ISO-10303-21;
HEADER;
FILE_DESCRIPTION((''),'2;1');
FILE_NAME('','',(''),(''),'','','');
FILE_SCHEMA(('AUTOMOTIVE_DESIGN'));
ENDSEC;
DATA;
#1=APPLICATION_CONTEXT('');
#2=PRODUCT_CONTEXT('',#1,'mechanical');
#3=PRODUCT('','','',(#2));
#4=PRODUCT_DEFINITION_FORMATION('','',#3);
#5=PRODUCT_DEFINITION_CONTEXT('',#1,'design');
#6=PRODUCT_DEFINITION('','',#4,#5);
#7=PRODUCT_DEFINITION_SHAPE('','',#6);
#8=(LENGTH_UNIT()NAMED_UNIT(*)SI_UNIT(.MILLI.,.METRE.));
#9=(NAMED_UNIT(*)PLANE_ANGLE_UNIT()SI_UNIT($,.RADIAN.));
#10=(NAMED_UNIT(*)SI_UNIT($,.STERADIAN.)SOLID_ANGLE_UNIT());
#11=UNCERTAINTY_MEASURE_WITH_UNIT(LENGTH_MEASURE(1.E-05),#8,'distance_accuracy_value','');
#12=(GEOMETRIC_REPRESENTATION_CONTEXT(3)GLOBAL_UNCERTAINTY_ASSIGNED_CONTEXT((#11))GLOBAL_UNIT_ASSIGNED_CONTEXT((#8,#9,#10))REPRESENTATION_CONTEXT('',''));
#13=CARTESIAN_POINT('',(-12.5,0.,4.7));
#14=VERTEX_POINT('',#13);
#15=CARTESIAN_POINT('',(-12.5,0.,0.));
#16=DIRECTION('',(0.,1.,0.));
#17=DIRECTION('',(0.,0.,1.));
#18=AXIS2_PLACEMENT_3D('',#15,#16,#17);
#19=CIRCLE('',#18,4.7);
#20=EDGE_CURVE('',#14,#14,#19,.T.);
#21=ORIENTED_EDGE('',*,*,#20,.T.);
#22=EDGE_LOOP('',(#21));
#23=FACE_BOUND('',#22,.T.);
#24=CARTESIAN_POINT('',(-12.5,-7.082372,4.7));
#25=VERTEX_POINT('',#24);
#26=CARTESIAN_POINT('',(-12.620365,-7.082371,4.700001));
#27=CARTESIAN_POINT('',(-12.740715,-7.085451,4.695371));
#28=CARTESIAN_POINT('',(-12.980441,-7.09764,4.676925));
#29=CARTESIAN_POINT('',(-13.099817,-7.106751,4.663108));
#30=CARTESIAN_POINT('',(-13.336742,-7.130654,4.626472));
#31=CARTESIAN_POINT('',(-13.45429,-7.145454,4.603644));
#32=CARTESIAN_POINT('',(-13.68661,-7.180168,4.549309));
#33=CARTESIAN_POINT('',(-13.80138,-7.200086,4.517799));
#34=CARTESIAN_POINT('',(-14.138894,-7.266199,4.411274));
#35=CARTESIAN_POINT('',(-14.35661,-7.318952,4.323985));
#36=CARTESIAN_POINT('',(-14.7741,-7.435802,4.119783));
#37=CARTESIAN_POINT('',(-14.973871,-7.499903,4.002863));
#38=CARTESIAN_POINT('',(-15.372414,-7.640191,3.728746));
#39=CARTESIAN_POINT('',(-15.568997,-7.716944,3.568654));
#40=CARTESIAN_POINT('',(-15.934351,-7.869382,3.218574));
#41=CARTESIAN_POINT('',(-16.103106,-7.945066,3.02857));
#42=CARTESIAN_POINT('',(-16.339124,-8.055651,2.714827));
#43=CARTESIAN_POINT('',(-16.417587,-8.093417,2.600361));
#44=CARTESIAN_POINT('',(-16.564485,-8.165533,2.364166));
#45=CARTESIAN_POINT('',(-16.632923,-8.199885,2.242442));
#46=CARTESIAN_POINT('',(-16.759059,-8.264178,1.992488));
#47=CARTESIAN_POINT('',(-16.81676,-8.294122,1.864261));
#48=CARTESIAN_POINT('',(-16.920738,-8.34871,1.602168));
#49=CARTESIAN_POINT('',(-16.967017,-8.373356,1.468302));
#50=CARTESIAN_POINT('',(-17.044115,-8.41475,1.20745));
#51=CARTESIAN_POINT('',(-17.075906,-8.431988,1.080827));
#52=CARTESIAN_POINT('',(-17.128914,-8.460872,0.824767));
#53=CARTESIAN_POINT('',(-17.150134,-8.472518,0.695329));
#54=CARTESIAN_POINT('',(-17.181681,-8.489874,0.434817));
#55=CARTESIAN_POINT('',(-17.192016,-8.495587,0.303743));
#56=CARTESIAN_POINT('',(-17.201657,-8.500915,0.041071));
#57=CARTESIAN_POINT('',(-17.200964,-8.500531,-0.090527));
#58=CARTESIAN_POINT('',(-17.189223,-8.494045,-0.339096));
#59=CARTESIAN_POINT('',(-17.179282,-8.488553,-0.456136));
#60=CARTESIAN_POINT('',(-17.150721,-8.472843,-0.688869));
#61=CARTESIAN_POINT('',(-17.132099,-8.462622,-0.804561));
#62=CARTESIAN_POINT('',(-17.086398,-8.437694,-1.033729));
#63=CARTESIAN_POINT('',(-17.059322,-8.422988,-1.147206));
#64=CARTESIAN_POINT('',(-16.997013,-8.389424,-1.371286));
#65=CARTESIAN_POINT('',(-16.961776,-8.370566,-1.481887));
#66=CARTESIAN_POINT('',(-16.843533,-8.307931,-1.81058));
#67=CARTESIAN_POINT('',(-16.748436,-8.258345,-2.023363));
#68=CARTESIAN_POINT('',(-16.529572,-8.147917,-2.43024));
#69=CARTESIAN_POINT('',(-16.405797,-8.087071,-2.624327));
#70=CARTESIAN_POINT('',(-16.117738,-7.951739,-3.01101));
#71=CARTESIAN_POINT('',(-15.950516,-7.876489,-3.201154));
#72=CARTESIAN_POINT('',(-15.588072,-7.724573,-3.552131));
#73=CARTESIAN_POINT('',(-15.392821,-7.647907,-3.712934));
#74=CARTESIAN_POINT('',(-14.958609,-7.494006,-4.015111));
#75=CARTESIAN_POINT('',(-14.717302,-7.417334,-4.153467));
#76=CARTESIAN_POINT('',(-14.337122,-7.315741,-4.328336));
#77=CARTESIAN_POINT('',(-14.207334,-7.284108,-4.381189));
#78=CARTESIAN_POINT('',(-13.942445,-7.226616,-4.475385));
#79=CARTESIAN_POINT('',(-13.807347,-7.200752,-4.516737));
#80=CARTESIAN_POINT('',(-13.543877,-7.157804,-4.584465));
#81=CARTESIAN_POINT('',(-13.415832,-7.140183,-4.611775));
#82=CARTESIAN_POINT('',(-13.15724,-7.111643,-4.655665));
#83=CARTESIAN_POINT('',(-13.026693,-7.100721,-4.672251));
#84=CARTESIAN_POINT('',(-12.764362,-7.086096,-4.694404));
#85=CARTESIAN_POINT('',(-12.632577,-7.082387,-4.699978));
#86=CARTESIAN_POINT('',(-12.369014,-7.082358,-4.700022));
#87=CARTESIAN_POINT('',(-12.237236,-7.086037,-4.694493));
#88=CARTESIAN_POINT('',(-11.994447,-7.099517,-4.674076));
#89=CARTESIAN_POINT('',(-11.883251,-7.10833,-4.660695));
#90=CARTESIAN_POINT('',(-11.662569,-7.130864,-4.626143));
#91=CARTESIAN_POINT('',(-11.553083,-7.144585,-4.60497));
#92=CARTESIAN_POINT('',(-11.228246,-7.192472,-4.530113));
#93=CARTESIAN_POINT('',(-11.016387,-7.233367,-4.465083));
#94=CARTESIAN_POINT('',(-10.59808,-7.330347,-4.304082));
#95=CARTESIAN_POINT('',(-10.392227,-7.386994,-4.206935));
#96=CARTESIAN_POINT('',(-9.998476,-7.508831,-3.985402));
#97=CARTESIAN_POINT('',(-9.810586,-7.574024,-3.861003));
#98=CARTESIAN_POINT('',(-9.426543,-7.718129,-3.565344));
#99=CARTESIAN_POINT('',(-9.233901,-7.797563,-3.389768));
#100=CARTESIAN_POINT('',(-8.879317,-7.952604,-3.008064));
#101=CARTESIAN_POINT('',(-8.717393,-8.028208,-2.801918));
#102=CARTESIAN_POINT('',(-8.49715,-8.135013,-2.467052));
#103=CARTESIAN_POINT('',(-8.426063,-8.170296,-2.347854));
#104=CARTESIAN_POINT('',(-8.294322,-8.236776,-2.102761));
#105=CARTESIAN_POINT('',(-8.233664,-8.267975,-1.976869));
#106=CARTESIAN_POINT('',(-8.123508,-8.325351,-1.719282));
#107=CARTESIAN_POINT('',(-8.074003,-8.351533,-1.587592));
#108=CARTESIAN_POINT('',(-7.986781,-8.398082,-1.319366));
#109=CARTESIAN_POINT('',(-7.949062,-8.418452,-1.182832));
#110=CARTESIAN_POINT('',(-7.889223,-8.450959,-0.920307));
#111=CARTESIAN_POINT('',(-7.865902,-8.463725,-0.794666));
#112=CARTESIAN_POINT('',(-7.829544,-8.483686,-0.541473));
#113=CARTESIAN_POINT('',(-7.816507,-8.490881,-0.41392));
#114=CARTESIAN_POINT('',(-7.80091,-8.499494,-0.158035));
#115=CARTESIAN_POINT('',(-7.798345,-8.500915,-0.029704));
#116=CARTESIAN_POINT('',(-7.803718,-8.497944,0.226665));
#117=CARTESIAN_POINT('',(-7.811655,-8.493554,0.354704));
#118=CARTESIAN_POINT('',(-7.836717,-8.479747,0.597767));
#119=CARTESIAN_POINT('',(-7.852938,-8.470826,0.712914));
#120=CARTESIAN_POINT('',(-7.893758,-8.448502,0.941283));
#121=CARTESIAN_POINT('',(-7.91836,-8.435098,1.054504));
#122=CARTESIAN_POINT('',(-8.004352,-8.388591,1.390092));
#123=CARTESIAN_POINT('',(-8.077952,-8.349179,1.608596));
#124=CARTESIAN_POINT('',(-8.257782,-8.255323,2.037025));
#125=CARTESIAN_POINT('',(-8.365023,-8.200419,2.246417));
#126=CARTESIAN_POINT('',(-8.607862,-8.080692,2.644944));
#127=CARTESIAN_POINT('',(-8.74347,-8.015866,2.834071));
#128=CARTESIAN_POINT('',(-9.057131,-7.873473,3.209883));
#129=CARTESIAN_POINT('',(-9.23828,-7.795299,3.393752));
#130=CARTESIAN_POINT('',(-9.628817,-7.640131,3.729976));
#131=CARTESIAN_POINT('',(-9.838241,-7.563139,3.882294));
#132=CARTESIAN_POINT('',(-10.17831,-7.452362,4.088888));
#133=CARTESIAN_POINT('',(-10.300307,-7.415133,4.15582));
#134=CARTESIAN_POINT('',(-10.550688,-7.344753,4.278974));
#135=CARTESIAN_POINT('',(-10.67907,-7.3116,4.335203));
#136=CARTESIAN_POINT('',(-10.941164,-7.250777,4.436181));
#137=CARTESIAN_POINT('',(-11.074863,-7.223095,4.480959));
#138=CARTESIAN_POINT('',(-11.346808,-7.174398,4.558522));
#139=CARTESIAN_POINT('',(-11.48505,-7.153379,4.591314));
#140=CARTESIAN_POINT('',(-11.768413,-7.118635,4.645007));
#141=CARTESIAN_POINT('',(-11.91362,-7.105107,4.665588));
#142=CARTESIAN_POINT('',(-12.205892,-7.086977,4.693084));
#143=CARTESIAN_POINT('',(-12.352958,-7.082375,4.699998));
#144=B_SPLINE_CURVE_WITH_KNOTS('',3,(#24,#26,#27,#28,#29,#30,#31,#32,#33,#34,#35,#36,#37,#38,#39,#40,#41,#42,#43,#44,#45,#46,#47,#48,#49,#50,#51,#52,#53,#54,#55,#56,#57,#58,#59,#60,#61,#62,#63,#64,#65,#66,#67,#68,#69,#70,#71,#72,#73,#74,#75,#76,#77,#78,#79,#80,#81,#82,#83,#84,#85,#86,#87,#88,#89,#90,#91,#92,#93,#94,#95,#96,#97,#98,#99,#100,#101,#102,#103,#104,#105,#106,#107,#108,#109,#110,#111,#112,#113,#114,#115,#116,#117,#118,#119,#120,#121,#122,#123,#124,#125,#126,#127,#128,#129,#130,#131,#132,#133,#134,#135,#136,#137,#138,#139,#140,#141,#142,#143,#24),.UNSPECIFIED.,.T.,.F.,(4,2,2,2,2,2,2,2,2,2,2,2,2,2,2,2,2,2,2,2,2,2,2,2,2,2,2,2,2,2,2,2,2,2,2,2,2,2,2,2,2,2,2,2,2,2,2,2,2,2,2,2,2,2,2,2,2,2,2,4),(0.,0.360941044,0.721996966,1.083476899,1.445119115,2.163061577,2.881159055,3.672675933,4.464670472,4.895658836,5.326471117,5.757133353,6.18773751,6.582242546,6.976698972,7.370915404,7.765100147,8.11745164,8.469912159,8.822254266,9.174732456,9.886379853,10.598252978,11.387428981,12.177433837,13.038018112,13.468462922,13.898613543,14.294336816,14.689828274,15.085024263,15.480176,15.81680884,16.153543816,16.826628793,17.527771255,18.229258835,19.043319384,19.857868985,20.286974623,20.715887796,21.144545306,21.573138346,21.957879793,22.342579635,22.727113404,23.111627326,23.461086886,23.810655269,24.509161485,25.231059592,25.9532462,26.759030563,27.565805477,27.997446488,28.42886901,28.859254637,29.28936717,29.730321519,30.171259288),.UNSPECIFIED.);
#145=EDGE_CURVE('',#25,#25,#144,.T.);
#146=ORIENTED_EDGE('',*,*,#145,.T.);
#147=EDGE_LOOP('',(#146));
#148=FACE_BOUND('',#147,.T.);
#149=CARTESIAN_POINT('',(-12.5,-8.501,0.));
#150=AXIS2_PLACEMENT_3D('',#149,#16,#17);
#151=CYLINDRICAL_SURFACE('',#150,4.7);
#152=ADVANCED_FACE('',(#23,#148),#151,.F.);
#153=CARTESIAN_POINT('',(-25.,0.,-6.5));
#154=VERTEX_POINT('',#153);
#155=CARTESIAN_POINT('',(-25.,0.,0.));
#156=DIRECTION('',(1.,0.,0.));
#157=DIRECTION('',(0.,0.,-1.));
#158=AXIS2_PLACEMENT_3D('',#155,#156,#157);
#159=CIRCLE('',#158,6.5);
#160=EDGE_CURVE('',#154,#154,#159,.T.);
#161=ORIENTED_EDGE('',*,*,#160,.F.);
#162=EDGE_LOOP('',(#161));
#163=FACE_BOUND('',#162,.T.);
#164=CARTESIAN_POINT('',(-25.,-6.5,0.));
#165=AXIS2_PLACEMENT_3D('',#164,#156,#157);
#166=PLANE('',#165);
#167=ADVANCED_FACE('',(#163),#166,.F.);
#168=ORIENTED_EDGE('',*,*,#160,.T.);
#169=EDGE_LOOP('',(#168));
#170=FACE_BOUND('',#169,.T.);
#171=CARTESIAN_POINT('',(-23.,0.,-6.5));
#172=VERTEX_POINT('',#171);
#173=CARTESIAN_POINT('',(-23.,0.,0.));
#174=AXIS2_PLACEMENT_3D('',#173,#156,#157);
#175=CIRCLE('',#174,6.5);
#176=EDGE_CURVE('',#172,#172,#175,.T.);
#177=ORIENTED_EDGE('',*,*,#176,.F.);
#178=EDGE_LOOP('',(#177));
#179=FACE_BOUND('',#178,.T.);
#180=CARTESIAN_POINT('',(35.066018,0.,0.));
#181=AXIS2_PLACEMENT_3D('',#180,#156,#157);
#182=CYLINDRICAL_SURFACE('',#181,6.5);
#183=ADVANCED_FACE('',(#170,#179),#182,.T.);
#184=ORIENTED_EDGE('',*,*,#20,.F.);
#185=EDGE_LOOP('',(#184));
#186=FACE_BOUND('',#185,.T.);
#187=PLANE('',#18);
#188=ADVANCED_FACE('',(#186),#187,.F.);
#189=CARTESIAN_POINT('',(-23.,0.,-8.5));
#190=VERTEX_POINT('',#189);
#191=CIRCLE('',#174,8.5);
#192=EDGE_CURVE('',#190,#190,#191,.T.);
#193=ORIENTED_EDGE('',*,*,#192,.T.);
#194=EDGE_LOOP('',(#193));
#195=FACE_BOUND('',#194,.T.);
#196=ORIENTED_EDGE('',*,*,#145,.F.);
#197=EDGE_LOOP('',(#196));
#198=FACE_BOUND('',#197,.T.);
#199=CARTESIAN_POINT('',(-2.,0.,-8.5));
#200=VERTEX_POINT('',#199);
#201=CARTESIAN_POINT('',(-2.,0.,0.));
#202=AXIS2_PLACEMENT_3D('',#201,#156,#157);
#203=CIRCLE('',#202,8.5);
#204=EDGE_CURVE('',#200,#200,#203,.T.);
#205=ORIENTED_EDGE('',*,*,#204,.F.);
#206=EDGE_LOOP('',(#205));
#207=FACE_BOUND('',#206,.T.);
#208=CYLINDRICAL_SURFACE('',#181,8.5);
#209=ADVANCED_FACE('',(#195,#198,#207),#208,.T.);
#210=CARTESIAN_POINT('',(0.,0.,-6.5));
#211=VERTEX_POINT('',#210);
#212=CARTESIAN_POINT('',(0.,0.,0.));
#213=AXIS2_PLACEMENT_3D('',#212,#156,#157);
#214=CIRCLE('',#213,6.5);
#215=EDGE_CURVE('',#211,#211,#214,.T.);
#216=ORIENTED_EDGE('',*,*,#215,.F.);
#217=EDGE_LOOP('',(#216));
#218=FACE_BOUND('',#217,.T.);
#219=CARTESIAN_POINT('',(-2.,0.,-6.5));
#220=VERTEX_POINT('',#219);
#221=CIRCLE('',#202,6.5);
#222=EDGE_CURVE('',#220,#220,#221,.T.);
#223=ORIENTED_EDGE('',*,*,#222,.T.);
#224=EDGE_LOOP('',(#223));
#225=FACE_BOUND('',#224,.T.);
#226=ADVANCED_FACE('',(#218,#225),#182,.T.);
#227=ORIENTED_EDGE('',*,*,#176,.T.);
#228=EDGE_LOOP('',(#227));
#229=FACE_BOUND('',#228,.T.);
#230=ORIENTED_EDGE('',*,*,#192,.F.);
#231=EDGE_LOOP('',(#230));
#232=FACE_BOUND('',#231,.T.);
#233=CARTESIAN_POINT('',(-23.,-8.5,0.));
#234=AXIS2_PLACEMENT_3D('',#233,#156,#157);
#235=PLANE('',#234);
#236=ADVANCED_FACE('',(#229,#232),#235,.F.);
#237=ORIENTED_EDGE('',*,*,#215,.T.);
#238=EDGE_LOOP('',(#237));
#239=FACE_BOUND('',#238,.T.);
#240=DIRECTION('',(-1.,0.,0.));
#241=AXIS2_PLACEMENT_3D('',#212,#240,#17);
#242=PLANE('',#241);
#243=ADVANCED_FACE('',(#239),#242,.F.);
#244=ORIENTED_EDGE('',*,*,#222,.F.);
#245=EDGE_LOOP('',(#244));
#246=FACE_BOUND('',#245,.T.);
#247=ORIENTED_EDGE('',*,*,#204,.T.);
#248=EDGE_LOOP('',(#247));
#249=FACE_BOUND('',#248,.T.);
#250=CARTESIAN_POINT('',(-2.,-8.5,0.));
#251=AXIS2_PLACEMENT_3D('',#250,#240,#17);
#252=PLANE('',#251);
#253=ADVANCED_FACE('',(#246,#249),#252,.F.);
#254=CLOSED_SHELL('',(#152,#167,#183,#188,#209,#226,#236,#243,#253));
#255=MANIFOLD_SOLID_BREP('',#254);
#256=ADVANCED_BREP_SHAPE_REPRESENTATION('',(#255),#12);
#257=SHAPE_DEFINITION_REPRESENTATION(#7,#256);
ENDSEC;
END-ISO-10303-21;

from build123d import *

# Parameters (mm, degrees)
ENL_V_MAT_EXTRU_1_REACH = 10.5
ESQUISSE2_R             = 4.7


with BuildPart() as part:
    # Esquisse1 → Révolution1 (revolve)
    with BuildSketch(Plane.XY, mode=Mode.PRIVATE) as r_volution1_sk:
        Polygon((-25, 0), (0, 0), (0, -6.5), (-2, -6.5), (-2, -8.5), (-23, -8.5), (-23, -6.5), (-25, -6.5), align=None)
    revolve(r_volution1_sk.sketch.rotate(Axis((35.066018426, 0, 0), (-1, 0, 0)), 270), axis=Axis((35.066018426, 0, 0), (-1, 0, 0)))  # turned: the seam where the file's is

    # Esquisse2 → Enlèv. mat.-Extru.1 (cut, up to next)
    with BuildSketch(Plane(origin=(0, 0, 0), x_dir=(1, 0, 0), z_dir=(0, 1, 0)), mode=Mode.PRIVATE) as enl_v_mat_extru_1_sk1:
        with Locations(Location((-12.5, 0, 0), (0, 0, 270))):  # turned: the seam where the file's is
            Circle(ESQUISSE2_R)
    enl_v_mat_extru_1_tool1 = extrude(enl_v_mat_extru_1_sk1.sketch, amount=-ENL_V_MAT_EXTRU_1_REACH, mode=Mode.PRIVATE) & part.part
    add(enl_v_mat_extru_1_tool1.solids().sort_by_distance((-12.5, 0, 0))[0], mode=Mode.SUBTRACT)


solid = part.part
